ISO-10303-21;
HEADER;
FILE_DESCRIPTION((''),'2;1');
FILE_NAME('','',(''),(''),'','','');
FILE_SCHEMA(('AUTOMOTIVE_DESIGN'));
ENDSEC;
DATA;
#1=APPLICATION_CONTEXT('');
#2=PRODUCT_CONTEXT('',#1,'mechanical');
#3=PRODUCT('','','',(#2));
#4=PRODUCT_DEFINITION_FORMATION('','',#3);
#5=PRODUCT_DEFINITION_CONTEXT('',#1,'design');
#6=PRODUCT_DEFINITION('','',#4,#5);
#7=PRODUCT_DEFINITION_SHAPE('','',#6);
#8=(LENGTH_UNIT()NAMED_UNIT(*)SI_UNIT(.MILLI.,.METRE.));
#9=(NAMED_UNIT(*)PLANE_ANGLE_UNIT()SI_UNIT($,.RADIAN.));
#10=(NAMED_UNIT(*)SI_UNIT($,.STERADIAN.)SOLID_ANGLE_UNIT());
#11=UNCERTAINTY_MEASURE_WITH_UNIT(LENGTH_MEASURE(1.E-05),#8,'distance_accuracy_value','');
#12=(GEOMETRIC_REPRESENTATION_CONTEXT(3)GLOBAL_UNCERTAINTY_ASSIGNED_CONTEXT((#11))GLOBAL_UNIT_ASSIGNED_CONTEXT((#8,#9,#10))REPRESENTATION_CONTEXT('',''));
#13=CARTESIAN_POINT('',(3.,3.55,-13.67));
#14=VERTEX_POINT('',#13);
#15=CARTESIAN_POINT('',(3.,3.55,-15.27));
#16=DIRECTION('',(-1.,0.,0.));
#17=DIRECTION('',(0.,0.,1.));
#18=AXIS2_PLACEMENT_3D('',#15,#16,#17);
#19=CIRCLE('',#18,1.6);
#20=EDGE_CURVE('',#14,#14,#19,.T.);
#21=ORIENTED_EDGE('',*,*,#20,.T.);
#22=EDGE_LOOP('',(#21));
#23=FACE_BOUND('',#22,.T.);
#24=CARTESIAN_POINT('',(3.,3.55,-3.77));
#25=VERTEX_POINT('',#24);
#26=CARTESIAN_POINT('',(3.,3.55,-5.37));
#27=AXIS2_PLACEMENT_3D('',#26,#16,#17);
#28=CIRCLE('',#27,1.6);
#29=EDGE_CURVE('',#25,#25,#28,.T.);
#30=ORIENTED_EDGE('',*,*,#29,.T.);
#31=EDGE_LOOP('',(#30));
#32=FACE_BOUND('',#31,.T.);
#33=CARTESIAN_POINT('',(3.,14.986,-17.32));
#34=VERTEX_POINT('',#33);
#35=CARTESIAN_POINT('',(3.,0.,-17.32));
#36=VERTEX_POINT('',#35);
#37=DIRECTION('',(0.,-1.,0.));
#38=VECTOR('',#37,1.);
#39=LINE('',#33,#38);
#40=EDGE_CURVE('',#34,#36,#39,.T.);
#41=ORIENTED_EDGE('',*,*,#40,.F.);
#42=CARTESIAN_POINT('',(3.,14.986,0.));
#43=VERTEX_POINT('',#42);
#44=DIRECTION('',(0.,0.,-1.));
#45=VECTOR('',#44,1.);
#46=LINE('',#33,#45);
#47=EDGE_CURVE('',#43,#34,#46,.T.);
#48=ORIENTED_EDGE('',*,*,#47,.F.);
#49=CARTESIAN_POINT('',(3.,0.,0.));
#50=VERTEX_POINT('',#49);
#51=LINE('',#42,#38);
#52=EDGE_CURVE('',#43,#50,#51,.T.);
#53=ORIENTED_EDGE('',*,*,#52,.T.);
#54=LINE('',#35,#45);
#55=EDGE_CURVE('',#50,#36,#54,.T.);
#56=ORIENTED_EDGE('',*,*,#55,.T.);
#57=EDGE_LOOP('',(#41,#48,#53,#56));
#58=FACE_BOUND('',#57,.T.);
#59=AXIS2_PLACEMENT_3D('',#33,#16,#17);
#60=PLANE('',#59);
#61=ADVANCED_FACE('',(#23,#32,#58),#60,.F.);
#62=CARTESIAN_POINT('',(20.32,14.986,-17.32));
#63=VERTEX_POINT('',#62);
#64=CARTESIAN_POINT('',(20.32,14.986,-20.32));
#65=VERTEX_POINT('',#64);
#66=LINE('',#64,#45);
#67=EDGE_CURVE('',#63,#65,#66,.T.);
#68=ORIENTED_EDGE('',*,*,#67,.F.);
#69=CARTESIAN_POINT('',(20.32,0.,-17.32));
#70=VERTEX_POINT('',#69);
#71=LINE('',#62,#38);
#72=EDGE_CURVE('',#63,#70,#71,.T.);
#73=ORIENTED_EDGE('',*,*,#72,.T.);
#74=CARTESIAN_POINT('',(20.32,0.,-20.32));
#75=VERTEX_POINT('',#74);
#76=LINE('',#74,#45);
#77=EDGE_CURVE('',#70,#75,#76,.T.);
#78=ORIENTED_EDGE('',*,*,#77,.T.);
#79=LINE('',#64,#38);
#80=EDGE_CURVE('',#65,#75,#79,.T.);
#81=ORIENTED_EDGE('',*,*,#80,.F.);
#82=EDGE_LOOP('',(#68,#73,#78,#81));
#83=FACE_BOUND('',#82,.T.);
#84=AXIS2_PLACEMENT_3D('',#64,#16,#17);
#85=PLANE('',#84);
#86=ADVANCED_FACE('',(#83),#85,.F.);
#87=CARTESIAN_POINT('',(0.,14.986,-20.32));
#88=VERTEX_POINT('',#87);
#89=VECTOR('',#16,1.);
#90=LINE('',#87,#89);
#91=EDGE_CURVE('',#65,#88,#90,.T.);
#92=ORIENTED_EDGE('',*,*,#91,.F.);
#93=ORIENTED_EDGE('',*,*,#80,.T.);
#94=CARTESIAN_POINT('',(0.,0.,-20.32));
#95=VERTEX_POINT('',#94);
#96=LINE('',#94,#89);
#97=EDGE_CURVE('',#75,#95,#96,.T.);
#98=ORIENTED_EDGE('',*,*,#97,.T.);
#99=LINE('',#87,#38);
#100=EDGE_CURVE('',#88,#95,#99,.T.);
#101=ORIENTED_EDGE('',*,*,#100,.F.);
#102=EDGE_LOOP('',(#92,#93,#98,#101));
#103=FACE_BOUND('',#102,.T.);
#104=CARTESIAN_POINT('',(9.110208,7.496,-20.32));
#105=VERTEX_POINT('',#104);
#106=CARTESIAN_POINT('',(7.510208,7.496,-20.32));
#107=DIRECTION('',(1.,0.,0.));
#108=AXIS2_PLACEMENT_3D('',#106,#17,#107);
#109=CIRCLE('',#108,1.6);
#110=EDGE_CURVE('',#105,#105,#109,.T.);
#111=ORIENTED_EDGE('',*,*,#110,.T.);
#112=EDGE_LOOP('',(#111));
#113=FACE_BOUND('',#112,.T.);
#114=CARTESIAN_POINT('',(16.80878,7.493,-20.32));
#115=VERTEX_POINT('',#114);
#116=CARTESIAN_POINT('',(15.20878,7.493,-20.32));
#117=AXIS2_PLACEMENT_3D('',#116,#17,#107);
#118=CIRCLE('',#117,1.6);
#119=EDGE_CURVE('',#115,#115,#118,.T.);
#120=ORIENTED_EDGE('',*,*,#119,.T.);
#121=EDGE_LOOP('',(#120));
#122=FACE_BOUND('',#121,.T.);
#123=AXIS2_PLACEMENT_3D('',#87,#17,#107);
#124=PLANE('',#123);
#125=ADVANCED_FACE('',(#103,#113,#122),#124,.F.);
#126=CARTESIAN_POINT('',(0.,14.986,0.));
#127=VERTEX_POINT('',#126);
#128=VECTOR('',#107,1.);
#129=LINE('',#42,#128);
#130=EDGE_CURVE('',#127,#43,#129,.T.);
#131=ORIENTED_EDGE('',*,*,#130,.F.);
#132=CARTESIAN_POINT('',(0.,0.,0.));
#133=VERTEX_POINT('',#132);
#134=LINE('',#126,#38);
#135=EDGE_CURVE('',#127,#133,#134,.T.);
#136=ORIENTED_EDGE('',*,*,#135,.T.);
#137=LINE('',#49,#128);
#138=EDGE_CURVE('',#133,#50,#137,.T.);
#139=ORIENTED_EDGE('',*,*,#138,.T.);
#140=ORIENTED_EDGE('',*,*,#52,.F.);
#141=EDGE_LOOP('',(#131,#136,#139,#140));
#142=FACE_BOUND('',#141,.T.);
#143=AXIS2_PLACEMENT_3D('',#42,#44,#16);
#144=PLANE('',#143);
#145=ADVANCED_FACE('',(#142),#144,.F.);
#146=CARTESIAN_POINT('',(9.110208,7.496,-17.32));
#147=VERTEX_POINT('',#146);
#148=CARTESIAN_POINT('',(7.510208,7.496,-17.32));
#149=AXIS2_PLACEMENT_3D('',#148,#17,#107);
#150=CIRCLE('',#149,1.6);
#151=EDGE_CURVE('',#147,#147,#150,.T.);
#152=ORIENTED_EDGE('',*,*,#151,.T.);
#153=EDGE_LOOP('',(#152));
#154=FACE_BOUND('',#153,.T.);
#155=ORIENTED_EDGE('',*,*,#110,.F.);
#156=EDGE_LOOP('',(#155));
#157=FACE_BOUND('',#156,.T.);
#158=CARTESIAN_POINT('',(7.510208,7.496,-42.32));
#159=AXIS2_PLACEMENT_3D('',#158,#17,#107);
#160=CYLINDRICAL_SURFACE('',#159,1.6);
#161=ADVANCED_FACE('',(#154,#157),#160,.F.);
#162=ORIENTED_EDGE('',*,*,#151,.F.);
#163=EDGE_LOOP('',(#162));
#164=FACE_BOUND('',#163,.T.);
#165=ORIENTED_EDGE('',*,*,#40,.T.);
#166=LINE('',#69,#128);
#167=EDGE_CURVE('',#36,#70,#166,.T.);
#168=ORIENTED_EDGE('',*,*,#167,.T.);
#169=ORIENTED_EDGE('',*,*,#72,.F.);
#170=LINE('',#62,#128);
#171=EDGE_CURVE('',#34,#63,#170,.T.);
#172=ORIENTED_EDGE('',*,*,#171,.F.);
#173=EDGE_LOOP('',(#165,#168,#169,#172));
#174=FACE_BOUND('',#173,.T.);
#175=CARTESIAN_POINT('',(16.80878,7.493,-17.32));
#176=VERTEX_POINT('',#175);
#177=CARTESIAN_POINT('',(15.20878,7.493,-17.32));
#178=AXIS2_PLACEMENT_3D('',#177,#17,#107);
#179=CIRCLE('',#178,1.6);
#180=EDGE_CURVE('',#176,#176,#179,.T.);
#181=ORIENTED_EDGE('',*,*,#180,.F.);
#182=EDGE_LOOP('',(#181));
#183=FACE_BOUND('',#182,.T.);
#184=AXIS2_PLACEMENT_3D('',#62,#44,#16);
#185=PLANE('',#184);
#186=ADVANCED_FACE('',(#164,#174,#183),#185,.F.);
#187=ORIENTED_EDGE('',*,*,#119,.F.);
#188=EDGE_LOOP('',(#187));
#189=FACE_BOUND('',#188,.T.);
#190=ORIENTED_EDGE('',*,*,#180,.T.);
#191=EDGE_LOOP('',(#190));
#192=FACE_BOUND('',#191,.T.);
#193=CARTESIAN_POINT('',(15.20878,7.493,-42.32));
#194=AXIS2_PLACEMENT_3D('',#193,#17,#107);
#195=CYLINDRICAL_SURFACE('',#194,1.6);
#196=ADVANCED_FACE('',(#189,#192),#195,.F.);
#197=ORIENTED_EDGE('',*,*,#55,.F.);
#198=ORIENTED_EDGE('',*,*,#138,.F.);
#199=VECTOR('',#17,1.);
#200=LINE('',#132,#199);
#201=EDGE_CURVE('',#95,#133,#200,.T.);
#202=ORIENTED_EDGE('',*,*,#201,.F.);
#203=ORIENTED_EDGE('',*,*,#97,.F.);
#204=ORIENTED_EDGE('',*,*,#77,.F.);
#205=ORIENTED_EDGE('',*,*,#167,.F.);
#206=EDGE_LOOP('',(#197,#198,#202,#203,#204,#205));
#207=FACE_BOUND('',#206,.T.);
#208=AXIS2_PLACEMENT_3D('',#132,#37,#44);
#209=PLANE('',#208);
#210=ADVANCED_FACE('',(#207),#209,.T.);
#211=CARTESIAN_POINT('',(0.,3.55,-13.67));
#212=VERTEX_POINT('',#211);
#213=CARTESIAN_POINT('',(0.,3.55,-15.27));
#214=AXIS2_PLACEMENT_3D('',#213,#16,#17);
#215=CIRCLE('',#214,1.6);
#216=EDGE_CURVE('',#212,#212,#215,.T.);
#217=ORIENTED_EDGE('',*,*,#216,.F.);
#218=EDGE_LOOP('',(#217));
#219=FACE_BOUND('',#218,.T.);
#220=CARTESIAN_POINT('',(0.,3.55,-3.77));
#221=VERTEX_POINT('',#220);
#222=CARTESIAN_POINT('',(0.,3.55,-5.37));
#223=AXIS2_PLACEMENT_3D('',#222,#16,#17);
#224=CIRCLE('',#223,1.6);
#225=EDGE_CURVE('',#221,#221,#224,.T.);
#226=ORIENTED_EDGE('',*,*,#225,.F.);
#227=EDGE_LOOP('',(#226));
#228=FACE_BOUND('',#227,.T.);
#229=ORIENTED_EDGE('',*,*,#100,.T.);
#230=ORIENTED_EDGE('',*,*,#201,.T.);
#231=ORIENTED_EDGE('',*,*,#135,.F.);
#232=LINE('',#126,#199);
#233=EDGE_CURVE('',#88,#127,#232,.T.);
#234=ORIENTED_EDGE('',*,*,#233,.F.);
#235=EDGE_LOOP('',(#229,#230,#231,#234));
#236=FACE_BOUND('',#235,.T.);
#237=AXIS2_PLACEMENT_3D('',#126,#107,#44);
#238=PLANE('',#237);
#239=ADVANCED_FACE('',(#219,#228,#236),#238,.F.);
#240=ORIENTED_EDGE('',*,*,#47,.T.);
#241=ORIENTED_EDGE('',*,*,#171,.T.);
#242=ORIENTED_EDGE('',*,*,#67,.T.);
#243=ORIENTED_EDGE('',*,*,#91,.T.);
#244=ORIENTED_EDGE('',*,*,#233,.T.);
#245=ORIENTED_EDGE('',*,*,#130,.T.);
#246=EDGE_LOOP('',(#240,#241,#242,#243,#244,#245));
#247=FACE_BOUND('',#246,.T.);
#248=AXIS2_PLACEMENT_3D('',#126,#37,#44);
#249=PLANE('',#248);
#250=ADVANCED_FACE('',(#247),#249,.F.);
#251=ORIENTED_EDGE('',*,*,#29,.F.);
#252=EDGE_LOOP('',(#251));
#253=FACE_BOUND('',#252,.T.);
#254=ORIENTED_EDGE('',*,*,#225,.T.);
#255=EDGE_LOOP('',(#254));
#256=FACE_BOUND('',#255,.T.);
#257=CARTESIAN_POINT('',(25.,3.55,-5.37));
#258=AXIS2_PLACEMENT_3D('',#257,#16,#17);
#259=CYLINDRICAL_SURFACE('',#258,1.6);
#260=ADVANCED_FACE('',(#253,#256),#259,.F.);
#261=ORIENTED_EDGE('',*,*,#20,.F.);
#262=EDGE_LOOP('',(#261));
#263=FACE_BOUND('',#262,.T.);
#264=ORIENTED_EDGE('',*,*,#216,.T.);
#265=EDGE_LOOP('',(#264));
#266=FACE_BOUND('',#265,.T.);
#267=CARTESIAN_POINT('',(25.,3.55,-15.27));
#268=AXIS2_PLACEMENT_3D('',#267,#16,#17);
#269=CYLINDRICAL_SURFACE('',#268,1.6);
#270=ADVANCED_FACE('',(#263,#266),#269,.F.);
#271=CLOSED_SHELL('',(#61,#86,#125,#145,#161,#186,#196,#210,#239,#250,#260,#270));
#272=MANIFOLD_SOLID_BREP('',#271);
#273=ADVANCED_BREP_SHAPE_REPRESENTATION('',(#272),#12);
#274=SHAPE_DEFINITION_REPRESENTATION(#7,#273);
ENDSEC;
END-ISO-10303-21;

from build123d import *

# Parameters (mm, degrees)
BOSS_EXTRUDE1_DEPTH = 14.986
SKETCH2_R           = 1.6
CUT_EXTRUDE1_DEPTH  = 25
SKETCH4_R           = 1.6
CUT_EXTRUDE2_DEPTH  = 25


with BuildPart() as part:
    # Sketch1 → Boss-Extrude1 (new body)
    with BuildSketch(Plane(origin=(0, 0, 0), x_dir=(1, 0, 0), z_dir=(0, 1, 0))):
        Polygon((0, 0), (0, 20.32), (20.32, 20.32), (20.32, 17.32), (3, 17.32), (3, 0), align=None)
    extrude(amount=BOSS_EXTRUDE1_DEPTH)

    # Sketch2 → Cut-Extrude1 (cut)
    with BuildSketch(Plane.ZY):
        with Locations((-5.37, 3.55)):
            Circle(SKETCH2_R)
        with Locations((-15.27, 3.55)):
            Circle(SKETCH2_R)
    extrude(amount=-CUT_EXTRUDE1_DEPTH, mode=Mode.SUBTRACT)

    # Sketch4 → Cut-Extrude2 (cut)
    with BuildSketch(Plane.XY.offset(-17.32)):
        with Locations((7.510208413, 7.496)):
            Circle(SKETCH4_R)
        with Locations((15.208779856, 7.493)):
            Circle(SKETCH4_R)
    extrude(amount=-CUT_EXTRUDE2_DEPTH, mode=Mode.SUBTRACT)


solid = part.part
